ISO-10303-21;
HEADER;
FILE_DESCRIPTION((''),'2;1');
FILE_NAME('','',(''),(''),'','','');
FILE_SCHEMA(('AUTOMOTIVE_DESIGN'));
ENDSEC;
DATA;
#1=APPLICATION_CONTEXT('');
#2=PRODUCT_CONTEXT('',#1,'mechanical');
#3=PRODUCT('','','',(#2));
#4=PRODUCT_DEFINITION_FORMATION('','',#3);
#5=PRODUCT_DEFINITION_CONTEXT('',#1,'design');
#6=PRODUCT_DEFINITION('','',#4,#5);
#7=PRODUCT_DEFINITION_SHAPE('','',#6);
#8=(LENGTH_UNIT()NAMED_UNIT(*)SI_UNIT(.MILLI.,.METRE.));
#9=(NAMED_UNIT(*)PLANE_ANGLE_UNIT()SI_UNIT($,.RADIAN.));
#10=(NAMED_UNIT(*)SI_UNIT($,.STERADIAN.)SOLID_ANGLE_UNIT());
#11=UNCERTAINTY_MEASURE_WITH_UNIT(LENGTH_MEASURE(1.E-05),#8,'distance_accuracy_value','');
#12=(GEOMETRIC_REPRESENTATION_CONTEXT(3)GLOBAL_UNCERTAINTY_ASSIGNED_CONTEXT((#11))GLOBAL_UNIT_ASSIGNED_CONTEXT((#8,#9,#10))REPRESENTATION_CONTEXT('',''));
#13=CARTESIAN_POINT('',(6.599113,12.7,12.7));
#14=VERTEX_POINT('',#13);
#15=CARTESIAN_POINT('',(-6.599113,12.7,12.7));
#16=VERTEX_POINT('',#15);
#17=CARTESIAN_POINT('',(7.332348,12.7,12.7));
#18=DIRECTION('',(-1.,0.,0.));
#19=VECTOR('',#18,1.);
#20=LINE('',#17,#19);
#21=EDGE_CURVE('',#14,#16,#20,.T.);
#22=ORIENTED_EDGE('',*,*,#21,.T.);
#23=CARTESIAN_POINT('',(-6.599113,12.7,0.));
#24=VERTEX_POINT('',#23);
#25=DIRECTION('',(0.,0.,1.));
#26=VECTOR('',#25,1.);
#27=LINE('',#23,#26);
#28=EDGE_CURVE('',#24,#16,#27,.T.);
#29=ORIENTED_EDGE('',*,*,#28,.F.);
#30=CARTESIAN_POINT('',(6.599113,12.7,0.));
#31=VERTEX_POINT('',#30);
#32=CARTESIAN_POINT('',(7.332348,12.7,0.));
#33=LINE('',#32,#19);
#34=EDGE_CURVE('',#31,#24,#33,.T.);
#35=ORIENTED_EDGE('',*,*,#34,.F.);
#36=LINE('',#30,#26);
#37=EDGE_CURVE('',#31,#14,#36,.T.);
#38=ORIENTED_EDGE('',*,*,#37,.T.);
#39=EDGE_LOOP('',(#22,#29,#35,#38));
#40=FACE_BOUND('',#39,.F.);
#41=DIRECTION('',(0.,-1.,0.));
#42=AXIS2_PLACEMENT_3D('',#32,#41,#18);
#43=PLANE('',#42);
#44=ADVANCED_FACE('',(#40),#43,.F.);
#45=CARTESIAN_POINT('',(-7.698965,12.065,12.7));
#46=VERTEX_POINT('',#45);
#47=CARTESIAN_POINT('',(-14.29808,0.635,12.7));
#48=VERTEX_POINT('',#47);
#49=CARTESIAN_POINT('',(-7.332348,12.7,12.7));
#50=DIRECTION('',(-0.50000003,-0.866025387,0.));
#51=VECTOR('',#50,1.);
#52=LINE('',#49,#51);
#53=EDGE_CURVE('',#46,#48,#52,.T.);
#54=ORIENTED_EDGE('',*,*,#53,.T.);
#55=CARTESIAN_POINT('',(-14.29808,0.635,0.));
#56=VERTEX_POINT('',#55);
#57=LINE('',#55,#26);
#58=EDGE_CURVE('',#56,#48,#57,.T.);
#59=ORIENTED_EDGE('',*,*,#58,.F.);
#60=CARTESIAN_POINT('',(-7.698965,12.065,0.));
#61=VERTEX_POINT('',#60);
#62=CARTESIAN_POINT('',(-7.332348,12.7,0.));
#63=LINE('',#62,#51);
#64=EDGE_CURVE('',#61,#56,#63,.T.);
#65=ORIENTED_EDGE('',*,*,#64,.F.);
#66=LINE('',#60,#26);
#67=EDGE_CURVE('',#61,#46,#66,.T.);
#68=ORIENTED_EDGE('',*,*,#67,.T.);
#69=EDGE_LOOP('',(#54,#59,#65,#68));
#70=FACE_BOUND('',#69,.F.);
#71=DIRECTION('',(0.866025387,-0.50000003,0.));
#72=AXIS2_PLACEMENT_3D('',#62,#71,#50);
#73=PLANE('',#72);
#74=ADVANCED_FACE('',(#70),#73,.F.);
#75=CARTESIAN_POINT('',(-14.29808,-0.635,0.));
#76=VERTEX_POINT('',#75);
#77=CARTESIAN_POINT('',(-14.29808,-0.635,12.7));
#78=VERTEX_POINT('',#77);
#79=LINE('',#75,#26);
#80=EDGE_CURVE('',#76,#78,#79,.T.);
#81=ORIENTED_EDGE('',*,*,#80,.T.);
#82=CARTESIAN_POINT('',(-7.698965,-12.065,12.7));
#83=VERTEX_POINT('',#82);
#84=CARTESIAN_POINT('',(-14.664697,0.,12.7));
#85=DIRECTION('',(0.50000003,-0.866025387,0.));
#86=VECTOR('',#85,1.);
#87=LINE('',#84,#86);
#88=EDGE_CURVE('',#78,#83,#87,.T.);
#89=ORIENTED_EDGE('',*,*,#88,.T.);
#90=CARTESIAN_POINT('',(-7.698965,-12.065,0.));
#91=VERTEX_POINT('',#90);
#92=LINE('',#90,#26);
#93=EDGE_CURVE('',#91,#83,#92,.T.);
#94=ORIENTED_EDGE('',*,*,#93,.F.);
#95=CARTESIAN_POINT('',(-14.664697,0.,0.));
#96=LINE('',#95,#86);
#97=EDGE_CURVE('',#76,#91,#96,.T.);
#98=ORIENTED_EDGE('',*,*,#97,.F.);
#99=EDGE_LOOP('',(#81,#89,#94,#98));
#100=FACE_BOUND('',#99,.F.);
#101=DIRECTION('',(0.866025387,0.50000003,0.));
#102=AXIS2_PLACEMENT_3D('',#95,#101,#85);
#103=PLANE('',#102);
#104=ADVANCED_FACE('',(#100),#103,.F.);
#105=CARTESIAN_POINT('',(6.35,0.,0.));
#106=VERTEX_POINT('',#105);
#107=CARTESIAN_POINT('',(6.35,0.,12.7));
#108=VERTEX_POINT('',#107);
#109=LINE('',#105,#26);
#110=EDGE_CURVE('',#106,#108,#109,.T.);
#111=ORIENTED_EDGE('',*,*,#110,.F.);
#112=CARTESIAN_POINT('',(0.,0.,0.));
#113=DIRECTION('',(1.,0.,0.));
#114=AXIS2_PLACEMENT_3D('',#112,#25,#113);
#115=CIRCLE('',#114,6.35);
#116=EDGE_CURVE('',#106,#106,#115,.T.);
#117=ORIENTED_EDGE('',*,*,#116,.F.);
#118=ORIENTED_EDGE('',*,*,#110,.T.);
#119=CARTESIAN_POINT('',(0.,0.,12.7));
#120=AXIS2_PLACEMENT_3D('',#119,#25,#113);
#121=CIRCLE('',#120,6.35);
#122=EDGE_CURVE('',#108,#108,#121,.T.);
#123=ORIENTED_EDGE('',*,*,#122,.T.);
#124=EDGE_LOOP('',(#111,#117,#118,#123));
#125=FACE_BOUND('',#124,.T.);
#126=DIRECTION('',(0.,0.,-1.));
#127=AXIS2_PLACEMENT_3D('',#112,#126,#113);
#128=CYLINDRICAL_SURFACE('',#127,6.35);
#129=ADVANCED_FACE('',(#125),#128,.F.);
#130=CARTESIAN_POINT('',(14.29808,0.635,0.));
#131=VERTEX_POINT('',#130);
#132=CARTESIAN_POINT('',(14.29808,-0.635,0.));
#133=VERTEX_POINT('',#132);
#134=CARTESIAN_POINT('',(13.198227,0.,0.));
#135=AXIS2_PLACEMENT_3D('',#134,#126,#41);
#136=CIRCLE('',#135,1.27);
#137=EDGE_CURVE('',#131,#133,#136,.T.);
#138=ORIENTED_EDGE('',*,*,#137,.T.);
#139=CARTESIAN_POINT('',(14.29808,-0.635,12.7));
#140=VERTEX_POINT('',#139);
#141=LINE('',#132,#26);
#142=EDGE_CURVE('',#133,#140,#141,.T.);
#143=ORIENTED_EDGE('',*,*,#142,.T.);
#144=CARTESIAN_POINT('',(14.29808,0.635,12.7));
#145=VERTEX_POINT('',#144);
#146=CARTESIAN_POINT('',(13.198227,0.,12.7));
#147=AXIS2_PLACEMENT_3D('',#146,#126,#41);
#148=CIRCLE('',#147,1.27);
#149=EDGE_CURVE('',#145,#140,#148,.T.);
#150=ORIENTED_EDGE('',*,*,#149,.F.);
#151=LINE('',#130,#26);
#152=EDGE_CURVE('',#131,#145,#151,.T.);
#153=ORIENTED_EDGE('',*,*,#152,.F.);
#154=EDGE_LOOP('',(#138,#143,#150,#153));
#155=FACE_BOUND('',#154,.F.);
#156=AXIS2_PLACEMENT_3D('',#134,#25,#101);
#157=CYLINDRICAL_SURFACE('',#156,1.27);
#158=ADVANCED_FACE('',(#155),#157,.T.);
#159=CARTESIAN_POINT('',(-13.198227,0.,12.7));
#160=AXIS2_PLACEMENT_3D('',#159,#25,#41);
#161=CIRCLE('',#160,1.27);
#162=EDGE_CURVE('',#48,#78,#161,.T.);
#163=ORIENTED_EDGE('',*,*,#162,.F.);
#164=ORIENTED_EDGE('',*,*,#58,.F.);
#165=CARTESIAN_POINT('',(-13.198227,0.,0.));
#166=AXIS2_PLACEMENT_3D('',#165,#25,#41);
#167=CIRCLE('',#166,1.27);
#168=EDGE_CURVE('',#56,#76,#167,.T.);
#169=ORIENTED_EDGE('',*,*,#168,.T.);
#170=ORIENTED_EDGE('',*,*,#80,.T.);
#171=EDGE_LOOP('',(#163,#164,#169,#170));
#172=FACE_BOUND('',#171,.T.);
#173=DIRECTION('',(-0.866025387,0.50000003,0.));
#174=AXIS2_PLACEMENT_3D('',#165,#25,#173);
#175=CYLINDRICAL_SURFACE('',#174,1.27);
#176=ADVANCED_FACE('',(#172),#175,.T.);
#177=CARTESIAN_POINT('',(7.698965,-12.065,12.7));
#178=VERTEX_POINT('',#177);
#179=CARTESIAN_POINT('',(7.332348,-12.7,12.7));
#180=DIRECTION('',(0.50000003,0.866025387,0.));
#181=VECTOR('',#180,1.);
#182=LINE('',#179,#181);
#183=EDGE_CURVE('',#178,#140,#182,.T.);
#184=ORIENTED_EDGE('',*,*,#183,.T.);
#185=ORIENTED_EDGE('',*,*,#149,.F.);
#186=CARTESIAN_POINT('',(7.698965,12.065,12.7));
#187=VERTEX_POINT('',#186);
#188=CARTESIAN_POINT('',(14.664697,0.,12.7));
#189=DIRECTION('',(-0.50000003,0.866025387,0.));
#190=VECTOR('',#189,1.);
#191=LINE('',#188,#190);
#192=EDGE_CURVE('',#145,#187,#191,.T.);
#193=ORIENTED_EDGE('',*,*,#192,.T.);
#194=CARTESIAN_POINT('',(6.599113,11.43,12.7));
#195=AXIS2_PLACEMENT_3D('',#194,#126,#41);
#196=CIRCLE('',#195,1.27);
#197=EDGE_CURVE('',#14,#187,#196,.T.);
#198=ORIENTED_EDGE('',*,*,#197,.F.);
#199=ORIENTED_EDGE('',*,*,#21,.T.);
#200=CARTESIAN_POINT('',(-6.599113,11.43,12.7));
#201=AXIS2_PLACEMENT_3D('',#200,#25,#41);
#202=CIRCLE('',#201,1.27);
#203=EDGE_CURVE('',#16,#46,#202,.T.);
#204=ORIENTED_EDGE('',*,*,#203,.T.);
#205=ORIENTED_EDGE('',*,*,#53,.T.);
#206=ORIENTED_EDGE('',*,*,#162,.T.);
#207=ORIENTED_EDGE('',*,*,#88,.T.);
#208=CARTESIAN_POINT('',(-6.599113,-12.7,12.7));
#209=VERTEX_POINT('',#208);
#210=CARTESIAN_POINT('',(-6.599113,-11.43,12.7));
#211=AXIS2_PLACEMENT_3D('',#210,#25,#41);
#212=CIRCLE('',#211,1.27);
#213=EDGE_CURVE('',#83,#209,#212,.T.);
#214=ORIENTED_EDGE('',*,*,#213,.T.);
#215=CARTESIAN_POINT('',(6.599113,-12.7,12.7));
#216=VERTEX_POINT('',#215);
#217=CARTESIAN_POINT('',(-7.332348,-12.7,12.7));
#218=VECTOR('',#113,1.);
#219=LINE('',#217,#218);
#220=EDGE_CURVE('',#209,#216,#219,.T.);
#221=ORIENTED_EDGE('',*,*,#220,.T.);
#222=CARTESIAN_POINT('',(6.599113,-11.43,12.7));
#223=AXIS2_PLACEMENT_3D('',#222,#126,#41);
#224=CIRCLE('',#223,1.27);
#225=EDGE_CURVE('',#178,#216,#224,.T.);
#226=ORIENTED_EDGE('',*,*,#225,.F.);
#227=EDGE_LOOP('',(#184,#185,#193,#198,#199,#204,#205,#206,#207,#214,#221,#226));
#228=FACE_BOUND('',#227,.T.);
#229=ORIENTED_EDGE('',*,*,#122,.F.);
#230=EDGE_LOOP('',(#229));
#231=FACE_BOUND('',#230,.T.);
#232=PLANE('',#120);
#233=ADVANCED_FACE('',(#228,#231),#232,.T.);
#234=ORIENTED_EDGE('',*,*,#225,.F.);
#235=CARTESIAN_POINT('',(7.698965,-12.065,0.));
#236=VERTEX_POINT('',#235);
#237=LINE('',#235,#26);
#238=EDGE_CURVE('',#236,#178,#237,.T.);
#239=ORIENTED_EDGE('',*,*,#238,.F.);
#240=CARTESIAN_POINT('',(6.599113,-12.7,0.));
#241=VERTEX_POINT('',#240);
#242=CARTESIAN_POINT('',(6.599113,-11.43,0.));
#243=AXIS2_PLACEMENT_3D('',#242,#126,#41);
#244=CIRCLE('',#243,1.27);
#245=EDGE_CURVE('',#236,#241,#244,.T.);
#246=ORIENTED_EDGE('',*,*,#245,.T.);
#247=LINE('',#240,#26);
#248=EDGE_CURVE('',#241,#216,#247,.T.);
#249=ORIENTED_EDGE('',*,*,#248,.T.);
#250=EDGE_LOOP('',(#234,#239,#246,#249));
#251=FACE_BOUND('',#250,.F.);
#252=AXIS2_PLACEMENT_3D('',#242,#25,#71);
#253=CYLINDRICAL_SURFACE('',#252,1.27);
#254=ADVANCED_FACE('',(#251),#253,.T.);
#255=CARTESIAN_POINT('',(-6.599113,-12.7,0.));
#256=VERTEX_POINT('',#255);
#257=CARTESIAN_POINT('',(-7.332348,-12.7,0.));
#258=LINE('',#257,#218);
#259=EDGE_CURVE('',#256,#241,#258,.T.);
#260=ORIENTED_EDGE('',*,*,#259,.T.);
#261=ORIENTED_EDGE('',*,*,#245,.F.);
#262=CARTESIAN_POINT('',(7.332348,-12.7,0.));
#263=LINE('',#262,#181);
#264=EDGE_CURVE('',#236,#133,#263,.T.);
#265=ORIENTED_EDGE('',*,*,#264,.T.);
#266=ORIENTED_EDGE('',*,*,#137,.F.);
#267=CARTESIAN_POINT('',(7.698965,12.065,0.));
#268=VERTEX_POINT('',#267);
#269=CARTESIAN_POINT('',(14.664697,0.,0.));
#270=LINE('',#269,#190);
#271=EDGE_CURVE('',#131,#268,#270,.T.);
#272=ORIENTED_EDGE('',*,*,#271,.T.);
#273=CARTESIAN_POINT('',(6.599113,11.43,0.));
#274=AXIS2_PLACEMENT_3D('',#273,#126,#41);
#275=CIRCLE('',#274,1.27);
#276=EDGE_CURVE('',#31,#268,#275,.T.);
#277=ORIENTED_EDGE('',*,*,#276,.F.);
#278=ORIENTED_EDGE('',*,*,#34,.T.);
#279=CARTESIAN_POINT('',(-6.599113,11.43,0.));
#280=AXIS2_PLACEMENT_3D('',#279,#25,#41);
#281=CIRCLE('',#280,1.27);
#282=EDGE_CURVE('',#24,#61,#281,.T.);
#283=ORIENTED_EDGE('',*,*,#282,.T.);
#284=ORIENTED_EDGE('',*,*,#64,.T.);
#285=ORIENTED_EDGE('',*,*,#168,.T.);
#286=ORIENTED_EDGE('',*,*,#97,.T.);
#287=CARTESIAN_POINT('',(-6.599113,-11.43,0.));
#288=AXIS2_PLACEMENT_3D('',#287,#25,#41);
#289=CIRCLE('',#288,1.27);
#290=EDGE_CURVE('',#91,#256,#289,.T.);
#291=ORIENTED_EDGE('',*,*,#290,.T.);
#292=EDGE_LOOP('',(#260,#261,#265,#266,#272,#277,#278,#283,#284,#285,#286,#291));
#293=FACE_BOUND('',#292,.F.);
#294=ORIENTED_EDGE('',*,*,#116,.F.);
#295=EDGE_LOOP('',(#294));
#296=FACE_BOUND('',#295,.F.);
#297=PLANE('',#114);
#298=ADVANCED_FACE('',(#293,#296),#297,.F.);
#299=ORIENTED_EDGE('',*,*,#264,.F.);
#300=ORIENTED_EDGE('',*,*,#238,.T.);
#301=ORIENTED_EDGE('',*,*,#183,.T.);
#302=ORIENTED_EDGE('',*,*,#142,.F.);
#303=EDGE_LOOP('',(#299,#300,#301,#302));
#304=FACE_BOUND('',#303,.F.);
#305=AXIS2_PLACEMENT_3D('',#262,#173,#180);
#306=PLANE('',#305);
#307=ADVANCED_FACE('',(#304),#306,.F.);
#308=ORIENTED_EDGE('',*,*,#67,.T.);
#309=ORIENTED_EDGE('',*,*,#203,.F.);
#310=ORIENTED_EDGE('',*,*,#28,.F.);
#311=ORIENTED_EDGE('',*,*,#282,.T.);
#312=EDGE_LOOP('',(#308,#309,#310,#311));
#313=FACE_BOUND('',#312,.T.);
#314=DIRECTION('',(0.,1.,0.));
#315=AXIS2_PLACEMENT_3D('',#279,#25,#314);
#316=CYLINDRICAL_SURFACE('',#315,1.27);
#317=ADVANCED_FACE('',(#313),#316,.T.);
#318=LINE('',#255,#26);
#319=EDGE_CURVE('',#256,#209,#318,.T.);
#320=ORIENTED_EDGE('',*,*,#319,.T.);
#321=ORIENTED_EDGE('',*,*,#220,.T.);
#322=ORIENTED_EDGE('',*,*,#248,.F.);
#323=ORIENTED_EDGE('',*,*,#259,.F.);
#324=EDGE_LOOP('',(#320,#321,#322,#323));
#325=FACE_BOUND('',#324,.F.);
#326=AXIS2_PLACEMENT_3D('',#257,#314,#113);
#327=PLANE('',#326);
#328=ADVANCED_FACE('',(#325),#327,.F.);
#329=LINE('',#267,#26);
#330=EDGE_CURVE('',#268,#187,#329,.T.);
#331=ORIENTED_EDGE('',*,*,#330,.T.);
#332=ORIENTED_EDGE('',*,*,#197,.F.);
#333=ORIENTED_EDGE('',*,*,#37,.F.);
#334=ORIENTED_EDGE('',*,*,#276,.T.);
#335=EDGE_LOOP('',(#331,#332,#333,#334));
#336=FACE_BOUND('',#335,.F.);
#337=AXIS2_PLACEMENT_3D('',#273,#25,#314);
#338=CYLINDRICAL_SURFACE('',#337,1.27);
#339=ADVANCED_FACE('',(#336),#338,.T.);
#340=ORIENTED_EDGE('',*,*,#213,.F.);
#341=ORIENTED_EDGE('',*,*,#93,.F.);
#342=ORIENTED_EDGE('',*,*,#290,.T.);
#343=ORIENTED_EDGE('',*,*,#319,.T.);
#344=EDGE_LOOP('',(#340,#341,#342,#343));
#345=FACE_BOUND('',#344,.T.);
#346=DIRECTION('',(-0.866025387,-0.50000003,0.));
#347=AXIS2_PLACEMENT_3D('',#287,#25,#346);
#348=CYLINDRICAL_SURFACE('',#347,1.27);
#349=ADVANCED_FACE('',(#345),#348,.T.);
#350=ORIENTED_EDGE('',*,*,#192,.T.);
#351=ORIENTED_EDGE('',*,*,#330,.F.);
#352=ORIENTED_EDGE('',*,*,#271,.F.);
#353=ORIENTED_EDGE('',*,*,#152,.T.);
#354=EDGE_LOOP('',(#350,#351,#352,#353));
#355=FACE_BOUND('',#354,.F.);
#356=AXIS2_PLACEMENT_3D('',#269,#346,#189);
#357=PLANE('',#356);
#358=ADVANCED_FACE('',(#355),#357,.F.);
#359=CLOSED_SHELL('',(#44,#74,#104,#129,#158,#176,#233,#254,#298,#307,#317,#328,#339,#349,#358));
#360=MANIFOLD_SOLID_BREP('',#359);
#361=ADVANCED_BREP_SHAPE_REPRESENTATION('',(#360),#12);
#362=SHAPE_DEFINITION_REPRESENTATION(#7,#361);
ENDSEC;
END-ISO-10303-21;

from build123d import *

# Parameters (mm, degrees)
F0_R     = 6.35
F1_DEPTH = 12.7
F2_R     = 1.27


with BuildPart() as f1:
    # F0 (on Top) → F1 (new body)
    with BuildSketch(Plane.XY):
        Polygon((7.332348, 12.7), (-7.332348, 12.7), (-14.664697, 0), (-7.332348, -12.7), (7.332348, -12.7), (14.664697, 0), align=None)
        Circle(F0_R, mode=Mode.SUBTRACT)
    extrude(amount=F1_DEPTH)

    # F2
    f2_edges = [f1.edges().sort_by_distance(p)[0] for p in [
        (-14.664697, 0, 6.35),
        (-7.332348, 12.7, 6.35),
        (7.332348, 12.7, 6.35),
        (14.664697, 0, 6.35),
        (7.332348, -12.7, 6.35),
        (-7.332348, -12.7, 6.35),
    ]]
    fillet(f2_edges, radius=F2_R)


solid = f1.part
